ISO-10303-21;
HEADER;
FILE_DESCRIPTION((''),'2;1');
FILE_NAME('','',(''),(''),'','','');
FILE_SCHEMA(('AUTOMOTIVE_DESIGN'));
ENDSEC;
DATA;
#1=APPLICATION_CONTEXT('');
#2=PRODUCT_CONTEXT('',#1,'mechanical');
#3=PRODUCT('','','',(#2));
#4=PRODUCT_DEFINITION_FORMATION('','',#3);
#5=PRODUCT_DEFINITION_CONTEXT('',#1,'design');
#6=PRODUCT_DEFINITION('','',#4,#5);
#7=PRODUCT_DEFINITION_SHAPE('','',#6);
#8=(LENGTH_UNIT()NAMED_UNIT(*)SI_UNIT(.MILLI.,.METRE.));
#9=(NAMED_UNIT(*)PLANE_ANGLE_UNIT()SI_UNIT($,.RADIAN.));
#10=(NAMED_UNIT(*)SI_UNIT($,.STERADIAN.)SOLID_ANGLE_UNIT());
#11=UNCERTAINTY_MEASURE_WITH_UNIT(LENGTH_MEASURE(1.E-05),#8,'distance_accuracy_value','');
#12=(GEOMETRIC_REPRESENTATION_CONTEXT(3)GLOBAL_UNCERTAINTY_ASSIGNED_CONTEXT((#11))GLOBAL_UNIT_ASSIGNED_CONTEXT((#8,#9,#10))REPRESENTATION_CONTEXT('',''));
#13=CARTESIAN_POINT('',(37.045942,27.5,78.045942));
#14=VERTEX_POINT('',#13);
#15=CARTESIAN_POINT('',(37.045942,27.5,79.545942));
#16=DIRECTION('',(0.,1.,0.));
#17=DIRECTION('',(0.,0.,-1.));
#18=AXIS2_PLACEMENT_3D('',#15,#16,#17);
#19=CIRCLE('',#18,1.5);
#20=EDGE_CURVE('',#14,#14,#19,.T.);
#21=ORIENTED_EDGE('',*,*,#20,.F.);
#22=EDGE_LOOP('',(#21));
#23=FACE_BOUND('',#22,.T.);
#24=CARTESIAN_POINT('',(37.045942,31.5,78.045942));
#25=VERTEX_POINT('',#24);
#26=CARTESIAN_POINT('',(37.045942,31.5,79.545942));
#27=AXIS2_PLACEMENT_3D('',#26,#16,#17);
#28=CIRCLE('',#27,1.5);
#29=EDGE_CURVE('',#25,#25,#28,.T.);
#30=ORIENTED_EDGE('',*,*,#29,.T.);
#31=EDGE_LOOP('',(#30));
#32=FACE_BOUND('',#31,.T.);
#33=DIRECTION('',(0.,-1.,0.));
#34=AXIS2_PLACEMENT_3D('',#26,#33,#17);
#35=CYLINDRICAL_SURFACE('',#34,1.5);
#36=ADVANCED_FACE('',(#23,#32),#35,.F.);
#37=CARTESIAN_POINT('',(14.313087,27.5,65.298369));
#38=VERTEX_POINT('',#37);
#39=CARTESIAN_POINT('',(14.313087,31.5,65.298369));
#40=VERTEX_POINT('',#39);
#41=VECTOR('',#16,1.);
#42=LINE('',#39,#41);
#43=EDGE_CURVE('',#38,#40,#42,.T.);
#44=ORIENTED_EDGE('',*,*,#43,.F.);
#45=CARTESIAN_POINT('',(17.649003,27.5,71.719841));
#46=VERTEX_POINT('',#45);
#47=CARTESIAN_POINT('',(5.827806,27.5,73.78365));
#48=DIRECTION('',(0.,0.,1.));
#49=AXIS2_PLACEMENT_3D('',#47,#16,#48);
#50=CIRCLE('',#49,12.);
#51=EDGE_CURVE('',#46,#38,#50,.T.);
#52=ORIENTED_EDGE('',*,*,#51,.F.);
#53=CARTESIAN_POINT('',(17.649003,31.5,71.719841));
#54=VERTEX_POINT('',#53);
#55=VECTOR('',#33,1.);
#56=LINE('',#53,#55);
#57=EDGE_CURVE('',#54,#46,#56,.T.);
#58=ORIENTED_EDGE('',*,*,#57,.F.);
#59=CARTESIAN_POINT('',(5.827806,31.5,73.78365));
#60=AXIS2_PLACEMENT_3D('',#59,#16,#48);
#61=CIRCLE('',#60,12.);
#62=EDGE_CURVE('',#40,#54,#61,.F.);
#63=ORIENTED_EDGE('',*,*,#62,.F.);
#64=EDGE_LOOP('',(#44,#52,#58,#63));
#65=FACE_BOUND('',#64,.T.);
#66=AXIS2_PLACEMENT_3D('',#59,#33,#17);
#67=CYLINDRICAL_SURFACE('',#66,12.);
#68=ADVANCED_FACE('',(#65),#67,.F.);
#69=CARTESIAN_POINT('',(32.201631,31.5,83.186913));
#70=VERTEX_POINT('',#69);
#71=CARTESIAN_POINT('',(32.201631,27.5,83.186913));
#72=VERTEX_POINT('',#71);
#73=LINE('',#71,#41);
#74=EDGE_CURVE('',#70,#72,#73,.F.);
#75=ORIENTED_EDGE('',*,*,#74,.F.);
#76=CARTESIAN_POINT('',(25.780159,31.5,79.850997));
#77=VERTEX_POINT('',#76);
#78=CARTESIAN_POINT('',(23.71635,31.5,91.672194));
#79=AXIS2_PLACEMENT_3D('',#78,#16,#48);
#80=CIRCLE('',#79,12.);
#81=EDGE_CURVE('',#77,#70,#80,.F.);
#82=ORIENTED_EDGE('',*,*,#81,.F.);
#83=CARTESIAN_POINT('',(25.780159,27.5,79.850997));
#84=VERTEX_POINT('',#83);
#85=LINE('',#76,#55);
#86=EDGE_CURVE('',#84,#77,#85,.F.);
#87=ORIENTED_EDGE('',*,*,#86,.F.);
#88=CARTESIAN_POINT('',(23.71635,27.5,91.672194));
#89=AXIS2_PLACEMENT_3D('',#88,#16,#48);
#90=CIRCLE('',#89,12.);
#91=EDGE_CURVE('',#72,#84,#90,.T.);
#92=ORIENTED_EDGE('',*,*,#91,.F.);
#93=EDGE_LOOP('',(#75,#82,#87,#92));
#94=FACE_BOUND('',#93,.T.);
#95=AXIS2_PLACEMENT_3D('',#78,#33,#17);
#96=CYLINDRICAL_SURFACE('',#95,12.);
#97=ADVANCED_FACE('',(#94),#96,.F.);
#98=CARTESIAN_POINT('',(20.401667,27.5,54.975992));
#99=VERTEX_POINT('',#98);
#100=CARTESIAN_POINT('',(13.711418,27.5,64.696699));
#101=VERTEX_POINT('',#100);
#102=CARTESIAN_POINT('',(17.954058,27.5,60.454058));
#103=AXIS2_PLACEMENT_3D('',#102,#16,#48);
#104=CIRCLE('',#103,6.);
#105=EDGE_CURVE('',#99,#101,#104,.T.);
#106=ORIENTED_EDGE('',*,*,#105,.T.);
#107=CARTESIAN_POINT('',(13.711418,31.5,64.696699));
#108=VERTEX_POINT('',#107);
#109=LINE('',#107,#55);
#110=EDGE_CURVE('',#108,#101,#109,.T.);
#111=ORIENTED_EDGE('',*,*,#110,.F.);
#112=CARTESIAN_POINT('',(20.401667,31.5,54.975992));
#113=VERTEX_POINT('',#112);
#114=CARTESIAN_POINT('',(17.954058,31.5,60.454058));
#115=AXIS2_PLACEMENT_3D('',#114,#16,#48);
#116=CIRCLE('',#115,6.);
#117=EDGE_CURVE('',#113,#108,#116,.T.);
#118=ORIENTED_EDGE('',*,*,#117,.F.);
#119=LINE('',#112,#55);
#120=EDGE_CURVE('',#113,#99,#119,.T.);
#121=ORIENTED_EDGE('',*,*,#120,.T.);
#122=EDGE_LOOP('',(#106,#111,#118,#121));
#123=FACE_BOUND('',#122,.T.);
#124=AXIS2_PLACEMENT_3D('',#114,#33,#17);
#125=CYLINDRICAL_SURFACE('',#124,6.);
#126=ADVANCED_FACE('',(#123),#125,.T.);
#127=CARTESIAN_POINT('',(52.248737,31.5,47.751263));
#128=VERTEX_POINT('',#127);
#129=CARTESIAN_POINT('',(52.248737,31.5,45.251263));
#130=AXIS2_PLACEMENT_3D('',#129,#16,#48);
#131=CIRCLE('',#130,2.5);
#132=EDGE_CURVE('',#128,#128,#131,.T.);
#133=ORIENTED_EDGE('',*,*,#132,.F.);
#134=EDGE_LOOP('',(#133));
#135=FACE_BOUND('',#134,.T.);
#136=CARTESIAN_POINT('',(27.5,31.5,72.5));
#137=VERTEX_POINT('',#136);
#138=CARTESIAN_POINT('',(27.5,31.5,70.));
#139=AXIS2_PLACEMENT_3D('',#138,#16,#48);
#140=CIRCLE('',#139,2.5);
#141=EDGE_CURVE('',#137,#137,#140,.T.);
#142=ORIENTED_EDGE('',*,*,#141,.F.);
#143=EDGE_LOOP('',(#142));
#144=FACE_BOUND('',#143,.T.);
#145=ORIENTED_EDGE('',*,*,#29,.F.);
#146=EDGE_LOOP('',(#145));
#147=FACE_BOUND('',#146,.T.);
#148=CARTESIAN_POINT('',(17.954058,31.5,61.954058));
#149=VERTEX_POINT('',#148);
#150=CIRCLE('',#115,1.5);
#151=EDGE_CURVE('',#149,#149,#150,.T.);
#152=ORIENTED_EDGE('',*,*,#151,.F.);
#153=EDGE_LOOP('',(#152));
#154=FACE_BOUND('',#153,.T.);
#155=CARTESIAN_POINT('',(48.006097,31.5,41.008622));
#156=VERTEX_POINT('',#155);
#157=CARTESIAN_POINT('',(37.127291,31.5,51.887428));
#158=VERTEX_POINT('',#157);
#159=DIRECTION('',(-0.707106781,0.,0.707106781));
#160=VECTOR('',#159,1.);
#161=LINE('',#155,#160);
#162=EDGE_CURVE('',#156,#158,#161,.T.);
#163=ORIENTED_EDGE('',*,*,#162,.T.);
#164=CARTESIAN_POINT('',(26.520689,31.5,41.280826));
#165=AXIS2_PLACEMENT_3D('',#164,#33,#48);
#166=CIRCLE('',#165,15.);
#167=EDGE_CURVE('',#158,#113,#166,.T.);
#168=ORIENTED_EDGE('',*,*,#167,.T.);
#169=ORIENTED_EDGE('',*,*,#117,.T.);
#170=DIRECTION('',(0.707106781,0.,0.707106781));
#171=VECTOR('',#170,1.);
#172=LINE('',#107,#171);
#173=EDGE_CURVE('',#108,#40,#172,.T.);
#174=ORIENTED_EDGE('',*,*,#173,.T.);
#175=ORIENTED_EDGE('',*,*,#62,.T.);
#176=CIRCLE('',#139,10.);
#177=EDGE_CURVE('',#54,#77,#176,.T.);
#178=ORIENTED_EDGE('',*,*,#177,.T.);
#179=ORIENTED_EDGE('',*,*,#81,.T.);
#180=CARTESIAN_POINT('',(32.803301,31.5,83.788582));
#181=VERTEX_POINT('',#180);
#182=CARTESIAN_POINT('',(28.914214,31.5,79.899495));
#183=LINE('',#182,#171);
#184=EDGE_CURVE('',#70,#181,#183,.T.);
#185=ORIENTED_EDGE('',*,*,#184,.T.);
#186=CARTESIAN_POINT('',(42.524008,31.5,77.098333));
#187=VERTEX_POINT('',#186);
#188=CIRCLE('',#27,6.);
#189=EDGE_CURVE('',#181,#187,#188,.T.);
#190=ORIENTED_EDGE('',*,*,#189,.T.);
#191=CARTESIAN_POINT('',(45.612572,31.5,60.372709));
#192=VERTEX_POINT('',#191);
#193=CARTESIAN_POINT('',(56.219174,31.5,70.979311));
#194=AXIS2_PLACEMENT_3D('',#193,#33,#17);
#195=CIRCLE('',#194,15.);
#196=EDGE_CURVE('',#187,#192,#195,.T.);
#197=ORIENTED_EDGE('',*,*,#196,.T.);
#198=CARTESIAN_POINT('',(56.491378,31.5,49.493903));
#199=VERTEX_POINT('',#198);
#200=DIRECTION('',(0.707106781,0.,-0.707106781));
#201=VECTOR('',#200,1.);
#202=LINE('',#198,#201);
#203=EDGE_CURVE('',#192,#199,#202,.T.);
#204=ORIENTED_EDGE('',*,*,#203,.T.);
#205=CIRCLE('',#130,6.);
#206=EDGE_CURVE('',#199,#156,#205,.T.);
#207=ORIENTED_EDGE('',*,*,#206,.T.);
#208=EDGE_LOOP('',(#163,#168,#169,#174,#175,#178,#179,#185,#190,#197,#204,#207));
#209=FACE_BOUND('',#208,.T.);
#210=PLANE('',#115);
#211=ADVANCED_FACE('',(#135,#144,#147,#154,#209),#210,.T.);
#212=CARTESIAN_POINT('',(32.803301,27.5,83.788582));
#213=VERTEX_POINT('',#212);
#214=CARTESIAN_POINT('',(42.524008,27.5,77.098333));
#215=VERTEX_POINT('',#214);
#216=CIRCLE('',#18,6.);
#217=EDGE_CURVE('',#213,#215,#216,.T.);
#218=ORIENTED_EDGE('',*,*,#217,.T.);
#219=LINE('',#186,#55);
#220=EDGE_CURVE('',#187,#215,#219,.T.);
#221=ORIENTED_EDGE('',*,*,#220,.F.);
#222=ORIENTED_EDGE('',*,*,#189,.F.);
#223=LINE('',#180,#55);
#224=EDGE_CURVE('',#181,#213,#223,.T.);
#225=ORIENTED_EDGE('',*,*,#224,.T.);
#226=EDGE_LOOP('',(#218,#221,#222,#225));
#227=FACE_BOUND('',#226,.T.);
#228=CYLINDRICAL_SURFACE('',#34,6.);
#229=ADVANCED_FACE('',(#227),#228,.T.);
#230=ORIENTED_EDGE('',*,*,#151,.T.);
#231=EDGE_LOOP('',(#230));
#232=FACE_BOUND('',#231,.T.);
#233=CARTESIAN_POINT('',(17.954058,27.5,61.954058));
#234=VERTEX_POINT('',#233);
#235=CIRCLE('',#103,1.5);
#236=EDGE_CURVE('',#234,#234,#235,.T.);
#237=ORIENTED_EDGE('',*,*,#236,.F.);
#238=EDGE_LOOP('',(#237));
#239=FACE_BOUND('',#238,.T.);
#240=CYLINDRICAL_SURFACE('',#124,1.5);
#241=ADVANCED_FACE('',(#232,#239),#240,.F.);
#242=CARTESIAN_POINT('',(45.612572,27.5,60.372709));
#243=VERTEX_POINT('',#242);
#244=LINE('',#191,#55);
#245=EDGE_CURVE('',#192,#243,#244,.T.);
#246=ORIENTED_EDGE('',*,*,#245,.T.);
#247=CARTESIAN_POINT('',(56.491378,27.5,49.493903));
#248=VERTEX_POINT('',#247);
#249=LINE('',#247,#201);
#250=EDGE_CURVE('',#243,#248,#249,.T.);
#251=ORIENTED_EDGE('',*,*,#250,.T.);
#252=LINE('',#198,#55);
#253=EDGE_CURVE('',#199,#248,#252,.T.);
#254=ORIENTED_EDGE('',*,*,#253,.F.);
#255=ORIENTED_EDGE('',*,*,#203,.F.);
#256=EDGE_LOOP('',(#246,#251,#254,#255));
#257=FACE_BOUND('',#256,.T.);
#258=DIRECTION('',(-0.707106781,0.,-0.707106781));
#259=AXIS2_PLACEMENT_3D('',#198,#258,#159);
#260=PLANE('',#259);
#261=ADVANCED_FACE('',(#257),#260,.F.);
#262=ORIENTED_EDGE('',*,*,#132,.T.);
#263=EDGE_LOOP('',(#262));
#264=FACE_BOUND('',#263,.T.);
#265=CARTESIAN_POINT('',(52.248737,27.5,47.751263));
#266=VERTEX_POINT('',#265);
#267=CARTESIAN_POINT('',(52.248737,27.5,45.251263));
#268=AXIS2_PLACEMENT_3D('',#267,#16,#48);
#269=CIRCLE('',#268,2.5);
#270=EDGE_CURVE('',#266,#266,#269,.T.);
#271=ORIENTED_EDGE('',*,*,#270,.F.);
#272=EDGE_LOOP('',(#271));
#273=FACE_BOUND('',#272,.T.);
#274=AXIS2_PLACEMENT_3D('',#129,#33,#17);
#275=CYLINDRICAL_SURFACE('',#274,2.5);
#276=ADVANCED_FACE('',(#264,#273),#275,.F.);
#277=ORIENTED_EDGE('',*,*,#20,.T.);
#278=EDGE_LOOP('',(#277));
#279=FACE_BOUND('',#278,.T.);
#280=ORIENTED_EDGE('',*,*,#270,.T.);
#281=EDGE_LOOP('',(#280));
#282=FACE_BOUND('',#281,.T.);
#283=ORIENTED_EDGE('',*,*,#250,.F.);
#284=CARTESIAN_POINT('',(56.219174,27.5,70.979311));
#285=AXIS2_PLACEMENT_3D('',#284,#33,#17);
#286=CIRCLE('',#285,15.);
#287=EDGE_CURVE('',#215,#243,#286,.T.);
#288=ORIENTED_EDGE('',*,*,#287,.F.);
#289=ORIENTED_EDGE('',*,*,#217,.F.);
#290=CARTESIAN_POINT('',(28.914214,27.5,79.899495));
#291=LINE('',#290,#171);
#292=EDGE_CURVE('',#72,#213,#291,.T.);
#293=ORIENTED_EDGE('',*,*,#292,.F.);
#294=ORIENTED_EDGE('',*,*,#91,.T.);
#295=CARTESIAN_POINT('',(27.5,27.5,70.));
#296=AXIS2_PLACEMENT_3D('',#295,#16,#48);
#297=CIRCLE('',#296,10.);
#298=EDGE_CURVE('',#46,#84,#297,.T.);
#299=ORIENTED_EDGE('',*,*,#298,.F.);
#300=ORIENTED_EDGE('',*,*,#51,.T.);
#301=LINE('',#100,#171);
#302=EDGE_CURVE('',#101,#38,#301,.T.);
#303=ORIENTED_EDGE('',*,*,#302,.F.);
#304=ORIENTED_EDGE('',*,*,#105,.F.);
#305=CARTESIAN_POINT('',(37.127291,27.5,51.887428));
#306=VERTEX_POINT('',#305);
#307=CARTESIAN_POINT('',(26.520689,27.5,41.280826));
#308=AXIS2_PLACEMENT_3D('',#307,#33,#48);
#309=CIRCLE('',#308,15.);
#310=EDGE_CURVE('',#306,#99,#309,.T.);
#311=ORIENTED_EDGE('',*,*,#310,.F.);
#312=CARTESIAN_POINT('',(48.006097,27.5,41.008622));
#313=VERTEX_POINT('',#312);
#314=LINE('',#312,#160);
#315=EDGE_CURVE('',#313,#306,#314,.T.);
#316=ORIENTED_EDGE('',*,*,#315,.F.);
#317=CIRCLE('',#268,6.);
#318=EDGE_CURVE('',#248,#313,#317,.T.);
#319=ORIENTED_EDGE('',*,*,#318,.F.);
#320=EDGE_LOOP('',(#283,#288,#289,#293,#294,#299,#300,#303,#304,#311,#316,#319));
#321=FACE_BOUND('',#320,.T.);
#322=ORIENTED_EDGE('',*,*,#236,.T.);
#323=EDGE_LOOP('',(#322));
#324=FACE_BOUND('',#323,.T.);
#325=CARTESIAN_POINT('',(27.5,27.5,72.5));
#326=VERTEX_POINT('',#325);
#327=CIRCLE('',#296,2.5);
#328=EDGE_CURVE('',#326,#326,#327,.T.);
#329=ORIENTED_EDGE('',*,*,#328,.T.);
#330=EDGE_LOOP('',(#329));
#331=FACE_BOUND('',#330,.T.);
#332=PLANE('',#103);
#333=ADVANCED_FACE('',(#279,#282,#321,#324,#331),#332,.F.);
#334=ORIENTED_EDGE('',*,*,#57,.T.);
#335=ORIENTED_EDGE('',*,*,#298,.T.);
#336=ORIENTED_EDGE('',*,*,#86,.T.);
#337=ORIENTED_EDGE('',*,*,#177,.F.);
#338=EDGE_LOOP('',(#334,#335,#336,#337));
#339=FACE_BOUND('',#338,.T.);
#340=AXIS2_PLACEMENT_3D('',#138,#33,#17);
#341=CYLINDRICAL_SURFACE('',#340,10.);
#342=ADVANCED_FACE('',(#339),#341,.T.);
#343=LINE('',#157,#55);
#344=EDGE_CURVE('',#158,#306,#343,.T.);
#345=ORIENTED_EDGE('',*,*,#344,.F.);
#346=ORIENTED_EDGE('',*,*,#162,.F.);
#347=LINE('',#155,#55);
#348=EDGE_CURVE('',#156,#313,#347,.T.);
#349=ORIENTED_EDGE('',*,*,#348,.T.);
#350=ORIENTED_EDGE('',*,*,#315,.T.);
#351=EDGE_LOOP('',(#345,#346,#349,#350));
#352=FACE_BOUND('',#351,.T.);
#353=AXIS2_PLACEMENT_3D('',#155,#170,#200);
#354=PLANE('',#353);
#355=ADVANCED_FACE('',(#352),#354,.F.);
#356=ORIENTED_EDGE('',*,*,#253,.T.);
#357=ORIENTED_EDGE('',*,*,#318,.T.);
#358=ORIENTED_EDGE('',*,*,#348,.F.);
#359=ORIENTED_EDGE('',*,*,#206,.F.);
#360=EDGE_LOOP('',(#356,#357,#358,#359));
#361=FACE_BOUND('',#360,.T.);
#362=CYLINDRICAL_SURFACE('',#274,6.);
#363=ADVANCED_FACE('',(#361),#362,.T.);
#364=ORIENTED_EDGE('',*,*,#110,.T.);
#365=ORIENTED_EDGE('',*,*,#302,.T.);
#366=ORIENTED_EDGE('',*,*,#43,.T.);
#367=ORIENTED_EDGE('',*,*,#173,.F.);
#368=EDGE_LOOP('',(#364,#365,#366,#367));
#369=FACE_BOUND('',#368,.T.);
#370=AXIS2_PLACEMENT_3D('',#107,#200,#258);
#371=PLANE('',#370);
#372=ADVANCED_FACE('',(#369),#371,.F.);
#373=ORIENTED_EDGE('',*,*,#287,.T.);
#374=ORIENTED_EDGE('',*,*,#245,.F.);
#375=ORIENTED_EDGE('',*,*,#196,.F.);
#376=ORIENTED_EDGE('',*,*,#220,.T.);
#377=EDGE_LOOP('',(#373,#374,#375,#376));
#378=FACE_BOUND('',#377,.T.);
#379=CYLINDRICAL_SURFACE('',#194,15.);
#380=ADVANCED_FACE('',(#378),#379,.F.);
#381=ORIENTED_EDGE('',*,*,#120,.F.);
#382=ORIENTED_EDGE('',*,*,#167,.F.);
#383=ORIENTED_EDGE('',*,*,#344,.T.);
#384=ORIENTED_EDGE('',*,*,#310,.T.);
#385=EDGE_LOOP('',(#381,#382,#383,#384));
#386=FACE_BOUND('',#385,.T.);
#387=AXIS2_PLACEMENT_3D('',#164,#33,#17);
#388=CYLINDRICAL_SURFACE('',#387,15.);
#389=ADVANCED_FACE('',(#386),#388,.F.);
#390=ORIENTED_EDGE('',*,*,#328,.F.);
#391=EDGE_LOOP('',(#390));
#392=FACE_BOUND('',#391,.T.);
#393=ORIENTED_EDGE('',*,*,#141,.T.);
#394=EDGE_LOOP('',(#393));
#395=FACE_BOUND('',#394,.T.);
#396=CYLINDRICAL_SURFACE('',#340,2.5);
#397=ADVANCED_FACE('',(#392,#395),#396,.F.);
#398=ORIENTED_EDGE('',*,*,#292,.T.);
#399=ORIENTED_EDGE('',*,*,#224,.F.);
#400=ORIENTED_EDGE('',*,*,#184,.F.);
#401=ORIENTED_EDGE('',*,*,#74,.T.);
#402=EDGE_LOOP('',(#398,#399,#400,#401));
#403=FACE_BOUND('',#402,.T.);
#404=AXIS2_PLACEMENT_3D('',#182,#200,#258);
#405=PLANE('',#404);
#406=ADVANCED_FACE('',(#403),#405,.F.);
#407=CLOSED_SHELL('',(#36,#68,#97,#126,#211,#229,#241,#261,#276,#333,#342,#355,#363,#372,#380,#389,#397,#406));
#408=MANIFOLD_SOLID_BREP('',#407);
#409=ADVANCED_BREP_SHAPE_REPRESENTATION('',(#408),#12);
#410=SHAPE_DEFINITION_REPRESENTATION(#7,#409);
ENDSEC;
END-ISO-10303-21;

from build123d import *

# Parameters (mm, degrees)
ESQUISSE1_R        = 1.5
ESQUISSE1_R_2      = 2.5
BOSS_EXTRU_1_DEPTH = 2
CONG_1_R           = 12


with BuildPart() as part:
    # Esquisse1 → Boss.-Extru.1 (new, symmetric)
    with BuildSketch(Plane(origin=(0, 29.5, 0), x_dir=(1, 0, 0), z_dir=(0, 1, 0))):
        with BuildLine():
            Line((56.491378029, -49.493903346), (45.612572194, -60.37270918))
            ThreePointArc((45.612572194, -60.37270918), (41.468560381, -68.255453254), (42.524007936, -77.09833279))
            ThreePointArc((42.524007936, -77.09833279), (40.447621803, -84.488468372), (32.803300859, -83.788582233))
            Line((32.803300859, -83.788582233), (28.914213562, -79.899494937))
            ThreePointArc((28.914213562, -79.899494937), (20.428932188, -77.071067812), (17.600505063, -68.585786438))
            Line((17.600505063, -68.585786438), (13.711417767, -64.696699141))
            ThreePointArc((13.711417767, -64.696699141), (13.011531628, -57.052378197), (20.40166721, -54.975992064))
            ThreePointArc((20.40166721, -54.975992064), (29.244546746, -56.031439619), (37.12729082, -51.887427806))
            Line((37.12729082, -51.887427806), (48.006096654, -41.008621971))
            ThreePointArc((48.006096654, -41.008621971), (56.491378029, -41.008621971), (56.491378029, -49.493903346))
        make_face()
        with Locations(Location((17.954058454, -60.454058454, 0), (0, 0, 270))):
            Circle(ESQUISSE1_R, mode=Mode.SUBTRACT)
        with Locations(Location((37.045941546, -79.545941546, 0), (0, 0, 90))):
            Circle(ESQUISSE1_R, mode=Mode.SUBTRACT)
        with Locations(Location((27.5, -70, 0), (0, 0, 270))):
            Circle(ESQUISSE1_R_2, mode=Mode.SUBTRACT)
        with Locations(Location((52.248737342, -45.251262658, 0), (0, 0, 270))):
            Circle(ESQUISSE1_R_2, mode=Mode.SUBTRACT)
    extrude(amount=BOSS_EXTRU_1_DEPTH, both=True)

    # Congé1
    cong_1_edges = [part.edges().sort_by_distance(p)[0] for p in [
        (28.914213562, 29.5, 79.899494937),
        (17.600505063, 29.5, 68.585786438),
    ]]
    fillet(cong_1_edges, radius=CONG_1_R)


solid = part.part
